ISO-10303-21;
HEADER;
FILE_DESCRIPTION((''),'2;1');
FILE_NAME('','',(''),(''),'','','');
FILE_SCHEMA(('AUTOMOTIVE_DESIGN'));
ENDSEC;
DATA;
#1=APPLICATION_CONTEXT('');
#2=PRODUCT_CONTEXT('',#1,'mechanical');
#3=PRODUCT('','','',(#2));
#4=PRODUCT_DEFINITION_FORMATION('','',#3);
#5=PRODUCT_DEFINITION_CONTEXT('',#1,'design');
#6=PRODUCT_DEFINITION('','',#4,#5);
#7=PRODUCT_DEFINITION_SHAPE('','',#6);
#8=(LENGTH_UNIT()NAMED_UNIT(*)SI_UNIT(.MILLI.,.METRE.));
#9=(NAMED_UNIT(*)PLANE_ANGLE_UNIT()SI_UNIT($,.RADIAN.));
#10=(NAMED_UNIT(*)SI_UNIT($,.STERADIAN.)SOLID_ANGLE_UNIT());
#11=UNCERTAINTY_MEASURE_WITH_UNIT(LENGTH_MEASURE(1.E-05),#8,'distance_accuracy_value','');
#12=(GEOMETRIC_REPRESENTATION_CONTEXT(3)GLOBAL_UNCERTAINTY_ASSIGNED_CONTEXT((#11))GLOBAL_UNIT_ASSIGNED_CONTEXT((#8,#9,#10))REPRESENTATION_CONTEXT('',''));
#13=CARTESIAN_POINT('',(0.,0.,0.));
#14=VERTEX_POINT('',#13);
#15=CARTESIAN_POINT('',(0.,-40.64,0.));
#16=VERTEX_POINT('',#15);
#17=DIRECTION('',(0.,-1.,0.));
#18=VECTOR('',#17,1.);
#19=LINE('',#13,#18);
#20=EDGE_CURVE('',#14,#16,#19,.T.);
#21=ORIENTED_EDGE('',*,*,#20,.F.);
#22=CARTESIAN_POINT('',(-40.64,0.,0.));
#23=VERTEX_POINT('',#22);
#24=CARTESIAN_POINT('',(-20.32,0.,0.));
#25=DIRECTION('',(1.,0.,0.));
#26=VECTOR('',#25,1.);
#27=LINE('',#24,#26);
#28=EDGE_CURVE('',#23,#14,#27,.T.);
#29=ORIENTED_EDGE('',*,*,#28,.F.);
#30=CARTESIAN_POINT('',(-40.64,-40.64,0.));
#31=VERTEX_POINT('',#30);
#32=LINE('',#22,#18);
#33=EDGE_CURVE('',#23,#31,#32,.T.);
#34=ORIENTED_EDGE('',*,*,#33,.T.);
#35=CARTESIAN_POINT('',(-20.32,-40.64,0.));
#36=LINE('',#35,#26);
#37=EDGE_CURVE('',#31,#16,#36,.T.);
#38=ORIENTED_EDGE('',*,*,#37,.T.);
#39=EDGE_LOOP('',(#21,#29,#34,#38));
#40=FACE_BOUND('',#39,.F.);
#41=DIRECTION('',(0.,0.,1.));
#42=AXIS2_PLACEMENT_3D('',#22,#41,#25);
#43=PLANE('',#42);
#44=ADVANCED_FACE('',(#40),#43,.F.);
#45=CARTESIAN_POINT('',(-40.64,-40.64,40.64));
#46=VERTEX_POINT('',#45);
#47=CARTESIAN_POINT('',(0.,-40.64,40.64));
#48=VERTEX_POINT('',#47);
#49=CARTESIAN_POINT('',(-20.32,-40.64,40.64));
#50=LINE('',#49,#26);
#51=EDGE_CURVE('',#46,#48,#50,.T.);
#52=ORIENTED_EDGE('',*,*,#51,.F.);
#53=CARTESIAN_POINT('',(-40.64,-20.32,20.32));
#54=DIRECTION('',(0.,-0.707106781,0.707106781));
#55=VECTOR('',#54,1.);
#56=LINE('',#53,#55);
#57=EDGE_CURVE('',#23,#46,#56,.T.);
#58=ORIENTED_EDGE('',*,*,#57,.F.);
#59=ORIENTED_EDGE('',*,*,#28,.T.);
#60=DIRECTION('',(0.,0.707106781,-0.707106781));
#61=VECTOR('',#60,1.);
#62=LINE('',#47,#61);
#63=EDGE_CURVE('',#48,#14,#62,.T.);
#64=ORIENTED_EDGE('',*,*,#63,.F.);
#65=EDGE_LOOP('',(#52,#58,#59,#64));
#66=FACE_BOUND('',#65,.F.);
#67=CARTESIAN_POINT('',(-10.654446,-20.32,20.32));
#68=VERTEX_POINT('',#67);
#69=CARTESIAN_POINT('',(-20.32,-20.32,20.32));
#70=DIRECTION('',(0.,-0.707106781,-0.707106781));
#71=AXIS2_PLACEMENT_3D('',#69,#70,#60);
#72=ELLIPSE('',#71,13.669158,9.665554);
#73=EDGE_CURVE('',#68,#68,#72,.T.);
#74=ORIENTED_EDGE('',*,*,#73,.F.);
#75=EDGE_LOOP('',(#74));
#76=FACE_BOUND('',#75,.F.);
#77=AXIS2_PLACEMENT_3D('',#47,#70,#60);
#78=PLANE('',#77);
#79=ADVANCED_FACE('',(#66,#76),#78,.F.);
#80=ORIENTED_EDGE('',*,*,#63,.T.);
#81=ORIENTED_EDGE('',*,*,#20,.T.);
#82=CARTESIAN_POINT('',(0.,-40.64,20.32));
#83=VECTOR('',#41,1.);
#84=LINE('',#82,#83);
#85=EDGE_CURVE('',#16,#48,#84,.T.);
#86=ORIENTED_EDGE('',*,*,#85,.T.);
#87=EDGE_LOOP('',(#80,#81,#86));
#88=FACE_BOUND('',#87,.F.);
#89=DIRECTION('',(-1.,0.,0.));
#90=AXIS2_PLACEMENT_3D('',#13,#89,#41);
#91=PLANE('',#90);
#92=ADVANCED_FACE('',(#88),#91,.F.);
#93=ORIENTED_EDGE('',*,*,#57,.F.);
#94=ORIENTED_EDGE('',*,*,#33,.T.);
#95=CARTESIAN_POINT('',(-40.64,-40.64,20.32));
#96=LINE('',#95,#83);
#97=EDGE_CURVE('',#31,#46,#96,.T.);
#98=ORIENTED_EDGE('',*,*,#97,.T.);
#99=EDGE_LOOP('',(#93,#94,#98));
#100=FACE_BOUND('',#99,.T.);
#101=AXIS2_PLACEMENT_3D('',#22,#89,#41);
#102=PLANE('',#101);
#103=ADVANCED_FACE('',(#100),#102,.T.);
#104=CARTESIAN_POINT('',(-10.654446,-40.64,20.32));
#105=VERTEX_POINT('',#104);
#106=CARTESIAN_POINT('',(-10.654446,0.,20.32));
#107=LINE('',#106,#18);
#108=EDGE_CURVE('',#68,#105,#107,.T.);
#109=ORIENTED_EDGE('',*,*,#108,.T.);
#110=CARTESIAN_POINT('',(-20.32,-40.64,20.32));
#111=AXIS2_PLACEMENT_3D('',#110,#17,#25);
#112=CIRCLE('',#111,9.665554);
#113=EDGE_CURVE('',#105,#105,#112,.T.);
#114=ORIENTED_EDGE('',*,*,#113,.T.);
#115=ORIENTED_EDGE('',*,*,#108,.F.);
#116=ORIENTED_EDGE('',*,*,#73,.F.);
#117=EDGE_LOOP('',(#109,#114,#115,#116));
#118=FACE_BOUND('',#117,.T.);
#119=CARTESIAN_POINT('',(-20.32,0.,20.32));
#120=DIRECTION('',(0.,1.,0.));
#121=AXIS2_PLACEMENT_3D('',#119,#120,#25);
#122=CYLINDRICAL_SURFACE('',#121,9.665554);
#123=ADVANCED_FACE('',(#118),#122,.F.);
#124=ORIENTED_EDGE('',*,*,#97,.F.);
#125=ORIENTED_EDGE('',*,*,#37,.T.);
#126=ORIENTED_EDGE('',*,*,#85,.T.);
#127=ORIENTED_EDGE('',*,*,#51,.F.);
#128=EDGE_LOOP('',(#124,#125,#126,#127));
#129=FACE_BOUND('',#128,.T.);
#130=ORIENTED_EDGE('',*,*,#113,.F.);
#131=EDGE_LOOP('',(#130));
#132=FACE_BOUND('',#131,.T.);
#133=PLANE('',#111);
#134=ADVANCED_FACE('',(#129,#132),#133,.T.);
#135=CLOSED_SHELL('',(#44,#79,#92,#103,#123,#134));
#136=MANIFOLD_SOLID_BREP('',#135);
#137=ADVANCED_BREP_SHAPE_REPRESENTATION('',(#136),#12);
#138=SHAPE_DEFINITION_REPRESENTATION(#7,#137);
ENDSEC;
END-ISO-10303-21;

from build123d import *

# Parameters (mm, degrees)
F0_W     = 40.64
F0_H     = 40.64
F0_R     = 9.665554
F1_DEPTH = 40.64
F3_DEPTH = 40.641


with BuildPart() as f1:
    # F0 (on Front) → F1 (new body)
    with BuildSketch(Plane.XZ):
        with Locations((-20.32, 20.32)):
            Rectangle(F0_W, F0_H)
        with Locations((-20.32, 20.32)):
            Circle(F0_R, mode=Mode.SUBTRACT)
    extrude(amount=F1_DEPTH)

    # F2 (on face) → F3 (cut, through all)
    with BuildSketch(Plane.YZ):
        Polygon((0, 40.64), (-40.64, 40.64), (0, 0), align=None)
    extrude(amount=-F3_DEPTH, mode=Mode.SUBTRACT)


solid = f1.part
